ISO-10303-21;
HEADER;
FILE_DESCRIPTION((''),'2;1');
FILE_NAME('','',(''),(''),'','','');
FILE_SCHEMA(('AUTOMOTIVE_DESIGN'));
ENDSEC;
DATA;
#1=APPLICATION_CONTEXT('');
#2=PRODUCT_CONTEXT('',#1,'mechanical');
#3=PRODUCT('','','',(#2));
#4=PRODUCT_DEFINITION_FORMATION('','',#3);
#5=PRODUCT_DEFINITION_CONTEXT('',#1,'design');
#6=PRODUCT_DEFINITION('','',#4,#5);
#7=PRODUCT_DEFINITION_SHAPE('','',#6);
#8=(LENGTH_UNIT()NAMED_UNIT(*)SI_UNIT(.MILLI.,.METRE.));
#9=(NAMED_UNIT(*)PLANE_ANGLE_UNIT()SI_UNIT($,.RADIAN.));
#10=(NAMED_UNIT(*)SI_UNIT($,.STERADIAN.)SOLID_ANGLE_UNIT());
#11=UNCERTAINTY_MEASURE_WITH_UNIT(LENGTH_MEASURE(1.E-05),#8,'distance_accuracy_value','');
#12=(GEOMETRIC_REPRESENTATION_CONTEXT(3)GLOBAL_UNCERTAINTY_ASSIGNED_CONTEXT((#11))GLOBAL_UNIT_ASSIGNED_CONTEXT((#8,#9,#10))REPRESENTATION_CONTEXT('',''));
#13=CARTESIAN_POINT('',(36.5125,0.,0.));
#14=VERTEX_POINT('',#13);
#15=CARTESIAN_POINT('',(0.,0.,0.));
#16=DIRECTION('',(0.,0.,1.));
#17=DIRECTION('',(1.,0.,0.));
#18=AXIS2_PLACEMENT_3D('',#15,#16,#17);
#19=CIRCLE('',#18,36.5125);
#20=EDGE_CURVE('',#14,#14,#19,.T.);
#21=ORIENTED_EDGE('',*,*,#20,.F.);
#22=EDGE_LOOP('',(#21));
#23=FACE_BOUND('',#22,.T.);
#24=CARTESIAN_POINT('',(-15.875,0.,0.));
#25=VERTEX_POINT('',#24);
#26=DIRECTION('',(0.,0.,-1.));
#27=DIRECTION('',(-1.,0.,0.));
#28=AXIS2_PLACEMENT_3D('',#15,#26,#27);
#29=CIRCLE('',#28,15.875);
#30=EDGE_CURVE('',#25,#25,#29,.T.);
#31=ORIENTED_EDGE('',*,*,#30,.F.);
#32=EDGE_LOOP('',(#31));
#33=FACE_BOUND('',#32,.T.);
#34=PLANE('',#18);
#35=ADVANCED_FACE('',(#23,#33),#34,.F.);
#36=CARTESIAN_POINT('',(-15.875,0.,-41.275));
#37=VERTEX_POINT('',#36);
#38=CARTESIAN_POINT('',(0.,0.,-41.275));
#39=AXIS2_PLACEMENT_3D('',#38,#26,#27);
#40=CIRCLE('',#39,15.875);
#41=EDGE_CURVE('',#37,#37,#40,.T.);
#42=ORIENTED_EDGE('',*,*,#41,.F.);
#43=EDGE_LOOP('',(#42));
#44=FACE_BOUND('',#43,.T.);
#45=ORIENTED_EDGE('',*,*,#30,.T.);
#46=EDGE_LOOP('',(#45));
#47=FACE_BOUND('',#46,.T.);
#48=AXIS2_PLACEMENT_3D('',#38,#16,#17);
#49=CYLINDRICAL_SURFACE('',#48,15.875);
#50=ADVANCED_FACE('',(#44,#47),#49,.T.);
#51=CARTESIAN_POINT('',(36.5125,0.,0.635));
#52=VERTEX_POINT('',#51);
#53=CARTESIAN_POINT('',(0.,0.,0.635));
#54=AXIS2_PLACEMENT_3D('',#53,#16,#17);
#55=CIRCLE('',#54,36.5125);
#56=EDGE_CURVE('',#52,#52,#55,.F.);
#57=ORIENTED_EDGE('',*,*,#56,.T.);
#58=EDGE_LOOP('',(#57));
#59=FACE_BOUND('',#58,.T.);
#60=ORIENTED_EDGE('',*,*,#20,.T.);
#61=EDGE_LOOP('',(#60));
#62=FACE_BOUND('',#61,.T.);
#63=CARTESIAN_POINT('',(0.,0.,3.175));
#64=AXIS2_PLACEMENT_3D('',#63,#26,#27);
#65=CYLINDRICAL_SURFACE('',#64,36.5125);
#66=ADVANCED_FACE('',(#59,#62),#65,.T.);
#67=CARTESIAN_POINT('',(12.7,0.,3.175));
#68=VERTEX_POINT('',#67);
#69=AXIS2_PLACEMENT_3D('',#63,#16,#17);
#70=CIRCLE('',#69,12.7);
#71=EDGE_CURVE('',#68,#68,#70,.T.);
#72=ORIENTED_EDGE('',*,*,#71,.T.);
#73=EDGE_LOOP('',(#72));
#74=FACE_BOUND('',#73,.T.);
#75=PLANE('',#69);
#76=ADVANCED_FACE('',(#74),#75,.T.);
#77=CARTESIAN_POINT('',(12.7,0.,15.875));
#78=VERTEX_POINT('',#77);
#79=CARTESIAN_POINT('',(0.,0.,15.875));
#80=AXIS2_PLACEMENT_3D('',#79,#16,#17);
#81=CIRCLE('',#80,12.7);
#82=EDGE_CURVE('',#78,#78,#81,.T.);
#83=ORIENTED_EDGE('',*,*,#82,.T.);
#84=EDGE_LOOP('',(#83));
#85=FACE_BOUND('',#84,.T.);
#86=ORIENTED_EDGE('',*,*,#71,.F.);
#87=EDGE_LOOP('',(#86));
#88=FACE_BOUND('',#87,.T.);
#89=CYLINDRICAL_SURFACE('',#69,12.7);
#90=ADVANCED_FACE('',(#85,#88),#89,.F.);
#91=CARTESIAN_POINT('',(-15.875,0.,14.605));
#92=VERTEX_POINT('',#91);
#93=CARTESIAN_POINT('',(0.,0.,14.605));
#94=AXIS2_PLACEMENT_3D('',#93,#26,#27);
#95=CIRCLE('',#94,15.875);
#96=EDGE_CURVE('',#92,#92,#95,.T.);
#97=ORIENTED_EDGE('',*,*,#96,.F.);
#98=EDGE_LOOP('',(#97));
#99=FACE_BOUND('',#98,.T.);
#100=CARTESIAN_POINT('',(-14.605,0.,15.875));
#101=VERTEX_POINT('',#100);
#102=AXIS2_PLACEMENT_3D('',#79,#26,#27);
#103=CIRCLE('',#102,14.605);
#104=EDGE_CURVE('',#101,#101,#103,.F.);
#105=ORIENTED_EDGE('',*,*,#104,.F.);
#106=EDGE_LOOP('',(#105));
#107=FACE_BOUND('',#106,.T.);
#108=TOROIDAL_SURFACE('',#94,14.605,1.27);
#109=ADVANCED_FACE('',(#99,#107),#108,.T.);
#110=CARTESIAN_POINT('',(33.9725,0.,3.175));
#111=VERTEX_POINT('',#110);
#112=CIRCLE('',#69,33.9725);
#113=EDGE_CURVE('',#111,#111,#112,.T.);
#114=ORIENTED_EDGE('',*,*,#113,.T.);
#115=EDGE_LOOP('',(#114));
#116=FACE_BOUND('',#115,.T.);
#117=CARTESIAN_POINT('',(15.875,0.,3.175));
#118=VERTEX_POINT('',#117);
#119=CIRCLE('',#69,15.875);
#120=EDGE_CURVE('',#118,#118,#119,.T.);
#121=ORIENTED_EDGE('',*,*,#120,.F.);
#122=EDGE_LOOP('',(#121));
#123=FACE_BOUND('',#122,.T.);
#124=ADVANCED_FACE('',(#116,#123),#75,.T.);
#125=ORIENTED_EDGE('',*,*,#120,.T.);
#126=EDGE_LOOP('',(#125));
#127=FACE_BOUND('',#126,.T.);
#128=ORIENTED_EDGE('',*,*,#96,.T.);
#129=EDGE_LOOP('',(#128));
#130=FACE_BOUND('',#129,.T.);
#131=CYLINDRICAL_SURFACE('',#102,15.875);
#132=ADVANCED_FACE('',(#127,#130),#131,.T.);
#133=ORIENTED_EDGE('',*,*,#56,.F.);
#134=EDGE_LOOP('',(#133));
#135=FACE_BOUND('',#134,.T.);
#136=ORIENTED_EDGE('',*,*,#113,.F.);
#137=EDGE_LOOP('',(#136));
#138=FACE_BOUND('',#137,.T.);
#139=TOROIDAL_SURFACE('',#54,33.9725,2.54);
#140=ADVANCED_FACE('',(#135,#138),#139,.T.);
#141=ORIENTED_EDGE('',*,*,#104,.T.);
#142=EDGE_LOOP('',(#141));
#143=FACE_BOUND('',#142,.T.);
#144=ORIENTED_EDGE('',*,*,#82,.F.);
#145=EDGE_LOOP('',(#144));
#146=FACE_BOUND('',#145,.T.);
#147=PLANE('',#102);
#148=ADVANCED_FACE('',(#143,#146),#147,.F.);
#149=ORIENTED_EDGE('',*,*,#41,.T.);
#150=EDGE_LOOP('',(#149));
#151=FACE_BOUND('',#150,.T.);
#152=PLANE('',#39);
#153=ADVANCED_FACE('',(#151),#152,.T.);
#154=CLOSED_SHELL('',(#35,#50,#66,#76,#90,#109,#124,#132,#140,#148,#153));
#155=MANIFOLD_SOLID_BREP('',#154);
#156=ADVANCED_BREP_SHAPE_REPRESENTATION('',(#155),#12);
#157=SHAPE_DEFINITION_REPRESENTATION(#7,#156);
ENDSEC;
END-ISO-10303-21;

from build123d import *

# Parameters (mm, degrees)
SKETCH1_R           = 36.5125
BOSS_EXTRUDE1_DEPTH = 3.175
SKETCH2_R           = 15.875
BOSS_EXTRUDE2_DEPTH = 41.275
BOSS_EXTRUDE3_START = -15.875
SKETCH2_2_R         = 15.875
BOSS_EXTRUDE3_DEPTH = 15.875
SKETCH3_R           = 12.7
CUT_EXTRUDE1_DEPTH  = 12.7
FILLET1_R           = 2.54
FILLET2_R           = 1.27


with BuildPart() as part:
    # Sketch1 → Boss-Extrude1 (new body)
    with BuildSketch(Plane.XY):
        Circle(SKETCH1_R)
    extrude(amount=BOSS_EXTRUDE1_DEPTH)

    # Sketch2 → Boss-Extrude2 (add)
    with BuildSketch(Plane(origin=(0, 0, 0), x_dir=(-1, 0, 0), z_dir=(0, 0, -1))):
        Circle(SKETCH2_R)
    extrude(amount=BOSS_EXTRUDE2_DEPTH)

    # Sketch2<2> → Boss-Extrude3 (add)
    with BuildSketch(Plane(origin=(0, 0, 0), x_dir=(-1, 0, 0), z_dir=(0, 0, -1)).offset(BOSS_EXTRUDE3_START)):
        Circle(SKETCH2_2_R)
    extrude(amount=BOSS_EXTRUDE3_DEPTH)

    # Sketch3 → Cut-Extrude1 (cut)
    with BuildSketch(Plane.XY.offset(15.875)):
        Circle(SKETCH3_R)
    extrude(amount=-CUT_EXTRUDE1_DEPTH, mode=Mode.SUBTRACT)

    # Fillet1
    fillet1_edges = [part.edges().sort_by_distance(p)[0] for p in [
        (-36.5125, 0, 3.175),
    ]]
    fillet(fillet1_edges, radius=FILLET1_R)

    # Fillet2
    fillet2_edges = [part.edges().sort_by_distance(p)[0] for p in [
        (15.875, 0, 15.875),
    ]]
    fillet(fillet2_edges, radius=FILLET2_R)


solid = part.part
